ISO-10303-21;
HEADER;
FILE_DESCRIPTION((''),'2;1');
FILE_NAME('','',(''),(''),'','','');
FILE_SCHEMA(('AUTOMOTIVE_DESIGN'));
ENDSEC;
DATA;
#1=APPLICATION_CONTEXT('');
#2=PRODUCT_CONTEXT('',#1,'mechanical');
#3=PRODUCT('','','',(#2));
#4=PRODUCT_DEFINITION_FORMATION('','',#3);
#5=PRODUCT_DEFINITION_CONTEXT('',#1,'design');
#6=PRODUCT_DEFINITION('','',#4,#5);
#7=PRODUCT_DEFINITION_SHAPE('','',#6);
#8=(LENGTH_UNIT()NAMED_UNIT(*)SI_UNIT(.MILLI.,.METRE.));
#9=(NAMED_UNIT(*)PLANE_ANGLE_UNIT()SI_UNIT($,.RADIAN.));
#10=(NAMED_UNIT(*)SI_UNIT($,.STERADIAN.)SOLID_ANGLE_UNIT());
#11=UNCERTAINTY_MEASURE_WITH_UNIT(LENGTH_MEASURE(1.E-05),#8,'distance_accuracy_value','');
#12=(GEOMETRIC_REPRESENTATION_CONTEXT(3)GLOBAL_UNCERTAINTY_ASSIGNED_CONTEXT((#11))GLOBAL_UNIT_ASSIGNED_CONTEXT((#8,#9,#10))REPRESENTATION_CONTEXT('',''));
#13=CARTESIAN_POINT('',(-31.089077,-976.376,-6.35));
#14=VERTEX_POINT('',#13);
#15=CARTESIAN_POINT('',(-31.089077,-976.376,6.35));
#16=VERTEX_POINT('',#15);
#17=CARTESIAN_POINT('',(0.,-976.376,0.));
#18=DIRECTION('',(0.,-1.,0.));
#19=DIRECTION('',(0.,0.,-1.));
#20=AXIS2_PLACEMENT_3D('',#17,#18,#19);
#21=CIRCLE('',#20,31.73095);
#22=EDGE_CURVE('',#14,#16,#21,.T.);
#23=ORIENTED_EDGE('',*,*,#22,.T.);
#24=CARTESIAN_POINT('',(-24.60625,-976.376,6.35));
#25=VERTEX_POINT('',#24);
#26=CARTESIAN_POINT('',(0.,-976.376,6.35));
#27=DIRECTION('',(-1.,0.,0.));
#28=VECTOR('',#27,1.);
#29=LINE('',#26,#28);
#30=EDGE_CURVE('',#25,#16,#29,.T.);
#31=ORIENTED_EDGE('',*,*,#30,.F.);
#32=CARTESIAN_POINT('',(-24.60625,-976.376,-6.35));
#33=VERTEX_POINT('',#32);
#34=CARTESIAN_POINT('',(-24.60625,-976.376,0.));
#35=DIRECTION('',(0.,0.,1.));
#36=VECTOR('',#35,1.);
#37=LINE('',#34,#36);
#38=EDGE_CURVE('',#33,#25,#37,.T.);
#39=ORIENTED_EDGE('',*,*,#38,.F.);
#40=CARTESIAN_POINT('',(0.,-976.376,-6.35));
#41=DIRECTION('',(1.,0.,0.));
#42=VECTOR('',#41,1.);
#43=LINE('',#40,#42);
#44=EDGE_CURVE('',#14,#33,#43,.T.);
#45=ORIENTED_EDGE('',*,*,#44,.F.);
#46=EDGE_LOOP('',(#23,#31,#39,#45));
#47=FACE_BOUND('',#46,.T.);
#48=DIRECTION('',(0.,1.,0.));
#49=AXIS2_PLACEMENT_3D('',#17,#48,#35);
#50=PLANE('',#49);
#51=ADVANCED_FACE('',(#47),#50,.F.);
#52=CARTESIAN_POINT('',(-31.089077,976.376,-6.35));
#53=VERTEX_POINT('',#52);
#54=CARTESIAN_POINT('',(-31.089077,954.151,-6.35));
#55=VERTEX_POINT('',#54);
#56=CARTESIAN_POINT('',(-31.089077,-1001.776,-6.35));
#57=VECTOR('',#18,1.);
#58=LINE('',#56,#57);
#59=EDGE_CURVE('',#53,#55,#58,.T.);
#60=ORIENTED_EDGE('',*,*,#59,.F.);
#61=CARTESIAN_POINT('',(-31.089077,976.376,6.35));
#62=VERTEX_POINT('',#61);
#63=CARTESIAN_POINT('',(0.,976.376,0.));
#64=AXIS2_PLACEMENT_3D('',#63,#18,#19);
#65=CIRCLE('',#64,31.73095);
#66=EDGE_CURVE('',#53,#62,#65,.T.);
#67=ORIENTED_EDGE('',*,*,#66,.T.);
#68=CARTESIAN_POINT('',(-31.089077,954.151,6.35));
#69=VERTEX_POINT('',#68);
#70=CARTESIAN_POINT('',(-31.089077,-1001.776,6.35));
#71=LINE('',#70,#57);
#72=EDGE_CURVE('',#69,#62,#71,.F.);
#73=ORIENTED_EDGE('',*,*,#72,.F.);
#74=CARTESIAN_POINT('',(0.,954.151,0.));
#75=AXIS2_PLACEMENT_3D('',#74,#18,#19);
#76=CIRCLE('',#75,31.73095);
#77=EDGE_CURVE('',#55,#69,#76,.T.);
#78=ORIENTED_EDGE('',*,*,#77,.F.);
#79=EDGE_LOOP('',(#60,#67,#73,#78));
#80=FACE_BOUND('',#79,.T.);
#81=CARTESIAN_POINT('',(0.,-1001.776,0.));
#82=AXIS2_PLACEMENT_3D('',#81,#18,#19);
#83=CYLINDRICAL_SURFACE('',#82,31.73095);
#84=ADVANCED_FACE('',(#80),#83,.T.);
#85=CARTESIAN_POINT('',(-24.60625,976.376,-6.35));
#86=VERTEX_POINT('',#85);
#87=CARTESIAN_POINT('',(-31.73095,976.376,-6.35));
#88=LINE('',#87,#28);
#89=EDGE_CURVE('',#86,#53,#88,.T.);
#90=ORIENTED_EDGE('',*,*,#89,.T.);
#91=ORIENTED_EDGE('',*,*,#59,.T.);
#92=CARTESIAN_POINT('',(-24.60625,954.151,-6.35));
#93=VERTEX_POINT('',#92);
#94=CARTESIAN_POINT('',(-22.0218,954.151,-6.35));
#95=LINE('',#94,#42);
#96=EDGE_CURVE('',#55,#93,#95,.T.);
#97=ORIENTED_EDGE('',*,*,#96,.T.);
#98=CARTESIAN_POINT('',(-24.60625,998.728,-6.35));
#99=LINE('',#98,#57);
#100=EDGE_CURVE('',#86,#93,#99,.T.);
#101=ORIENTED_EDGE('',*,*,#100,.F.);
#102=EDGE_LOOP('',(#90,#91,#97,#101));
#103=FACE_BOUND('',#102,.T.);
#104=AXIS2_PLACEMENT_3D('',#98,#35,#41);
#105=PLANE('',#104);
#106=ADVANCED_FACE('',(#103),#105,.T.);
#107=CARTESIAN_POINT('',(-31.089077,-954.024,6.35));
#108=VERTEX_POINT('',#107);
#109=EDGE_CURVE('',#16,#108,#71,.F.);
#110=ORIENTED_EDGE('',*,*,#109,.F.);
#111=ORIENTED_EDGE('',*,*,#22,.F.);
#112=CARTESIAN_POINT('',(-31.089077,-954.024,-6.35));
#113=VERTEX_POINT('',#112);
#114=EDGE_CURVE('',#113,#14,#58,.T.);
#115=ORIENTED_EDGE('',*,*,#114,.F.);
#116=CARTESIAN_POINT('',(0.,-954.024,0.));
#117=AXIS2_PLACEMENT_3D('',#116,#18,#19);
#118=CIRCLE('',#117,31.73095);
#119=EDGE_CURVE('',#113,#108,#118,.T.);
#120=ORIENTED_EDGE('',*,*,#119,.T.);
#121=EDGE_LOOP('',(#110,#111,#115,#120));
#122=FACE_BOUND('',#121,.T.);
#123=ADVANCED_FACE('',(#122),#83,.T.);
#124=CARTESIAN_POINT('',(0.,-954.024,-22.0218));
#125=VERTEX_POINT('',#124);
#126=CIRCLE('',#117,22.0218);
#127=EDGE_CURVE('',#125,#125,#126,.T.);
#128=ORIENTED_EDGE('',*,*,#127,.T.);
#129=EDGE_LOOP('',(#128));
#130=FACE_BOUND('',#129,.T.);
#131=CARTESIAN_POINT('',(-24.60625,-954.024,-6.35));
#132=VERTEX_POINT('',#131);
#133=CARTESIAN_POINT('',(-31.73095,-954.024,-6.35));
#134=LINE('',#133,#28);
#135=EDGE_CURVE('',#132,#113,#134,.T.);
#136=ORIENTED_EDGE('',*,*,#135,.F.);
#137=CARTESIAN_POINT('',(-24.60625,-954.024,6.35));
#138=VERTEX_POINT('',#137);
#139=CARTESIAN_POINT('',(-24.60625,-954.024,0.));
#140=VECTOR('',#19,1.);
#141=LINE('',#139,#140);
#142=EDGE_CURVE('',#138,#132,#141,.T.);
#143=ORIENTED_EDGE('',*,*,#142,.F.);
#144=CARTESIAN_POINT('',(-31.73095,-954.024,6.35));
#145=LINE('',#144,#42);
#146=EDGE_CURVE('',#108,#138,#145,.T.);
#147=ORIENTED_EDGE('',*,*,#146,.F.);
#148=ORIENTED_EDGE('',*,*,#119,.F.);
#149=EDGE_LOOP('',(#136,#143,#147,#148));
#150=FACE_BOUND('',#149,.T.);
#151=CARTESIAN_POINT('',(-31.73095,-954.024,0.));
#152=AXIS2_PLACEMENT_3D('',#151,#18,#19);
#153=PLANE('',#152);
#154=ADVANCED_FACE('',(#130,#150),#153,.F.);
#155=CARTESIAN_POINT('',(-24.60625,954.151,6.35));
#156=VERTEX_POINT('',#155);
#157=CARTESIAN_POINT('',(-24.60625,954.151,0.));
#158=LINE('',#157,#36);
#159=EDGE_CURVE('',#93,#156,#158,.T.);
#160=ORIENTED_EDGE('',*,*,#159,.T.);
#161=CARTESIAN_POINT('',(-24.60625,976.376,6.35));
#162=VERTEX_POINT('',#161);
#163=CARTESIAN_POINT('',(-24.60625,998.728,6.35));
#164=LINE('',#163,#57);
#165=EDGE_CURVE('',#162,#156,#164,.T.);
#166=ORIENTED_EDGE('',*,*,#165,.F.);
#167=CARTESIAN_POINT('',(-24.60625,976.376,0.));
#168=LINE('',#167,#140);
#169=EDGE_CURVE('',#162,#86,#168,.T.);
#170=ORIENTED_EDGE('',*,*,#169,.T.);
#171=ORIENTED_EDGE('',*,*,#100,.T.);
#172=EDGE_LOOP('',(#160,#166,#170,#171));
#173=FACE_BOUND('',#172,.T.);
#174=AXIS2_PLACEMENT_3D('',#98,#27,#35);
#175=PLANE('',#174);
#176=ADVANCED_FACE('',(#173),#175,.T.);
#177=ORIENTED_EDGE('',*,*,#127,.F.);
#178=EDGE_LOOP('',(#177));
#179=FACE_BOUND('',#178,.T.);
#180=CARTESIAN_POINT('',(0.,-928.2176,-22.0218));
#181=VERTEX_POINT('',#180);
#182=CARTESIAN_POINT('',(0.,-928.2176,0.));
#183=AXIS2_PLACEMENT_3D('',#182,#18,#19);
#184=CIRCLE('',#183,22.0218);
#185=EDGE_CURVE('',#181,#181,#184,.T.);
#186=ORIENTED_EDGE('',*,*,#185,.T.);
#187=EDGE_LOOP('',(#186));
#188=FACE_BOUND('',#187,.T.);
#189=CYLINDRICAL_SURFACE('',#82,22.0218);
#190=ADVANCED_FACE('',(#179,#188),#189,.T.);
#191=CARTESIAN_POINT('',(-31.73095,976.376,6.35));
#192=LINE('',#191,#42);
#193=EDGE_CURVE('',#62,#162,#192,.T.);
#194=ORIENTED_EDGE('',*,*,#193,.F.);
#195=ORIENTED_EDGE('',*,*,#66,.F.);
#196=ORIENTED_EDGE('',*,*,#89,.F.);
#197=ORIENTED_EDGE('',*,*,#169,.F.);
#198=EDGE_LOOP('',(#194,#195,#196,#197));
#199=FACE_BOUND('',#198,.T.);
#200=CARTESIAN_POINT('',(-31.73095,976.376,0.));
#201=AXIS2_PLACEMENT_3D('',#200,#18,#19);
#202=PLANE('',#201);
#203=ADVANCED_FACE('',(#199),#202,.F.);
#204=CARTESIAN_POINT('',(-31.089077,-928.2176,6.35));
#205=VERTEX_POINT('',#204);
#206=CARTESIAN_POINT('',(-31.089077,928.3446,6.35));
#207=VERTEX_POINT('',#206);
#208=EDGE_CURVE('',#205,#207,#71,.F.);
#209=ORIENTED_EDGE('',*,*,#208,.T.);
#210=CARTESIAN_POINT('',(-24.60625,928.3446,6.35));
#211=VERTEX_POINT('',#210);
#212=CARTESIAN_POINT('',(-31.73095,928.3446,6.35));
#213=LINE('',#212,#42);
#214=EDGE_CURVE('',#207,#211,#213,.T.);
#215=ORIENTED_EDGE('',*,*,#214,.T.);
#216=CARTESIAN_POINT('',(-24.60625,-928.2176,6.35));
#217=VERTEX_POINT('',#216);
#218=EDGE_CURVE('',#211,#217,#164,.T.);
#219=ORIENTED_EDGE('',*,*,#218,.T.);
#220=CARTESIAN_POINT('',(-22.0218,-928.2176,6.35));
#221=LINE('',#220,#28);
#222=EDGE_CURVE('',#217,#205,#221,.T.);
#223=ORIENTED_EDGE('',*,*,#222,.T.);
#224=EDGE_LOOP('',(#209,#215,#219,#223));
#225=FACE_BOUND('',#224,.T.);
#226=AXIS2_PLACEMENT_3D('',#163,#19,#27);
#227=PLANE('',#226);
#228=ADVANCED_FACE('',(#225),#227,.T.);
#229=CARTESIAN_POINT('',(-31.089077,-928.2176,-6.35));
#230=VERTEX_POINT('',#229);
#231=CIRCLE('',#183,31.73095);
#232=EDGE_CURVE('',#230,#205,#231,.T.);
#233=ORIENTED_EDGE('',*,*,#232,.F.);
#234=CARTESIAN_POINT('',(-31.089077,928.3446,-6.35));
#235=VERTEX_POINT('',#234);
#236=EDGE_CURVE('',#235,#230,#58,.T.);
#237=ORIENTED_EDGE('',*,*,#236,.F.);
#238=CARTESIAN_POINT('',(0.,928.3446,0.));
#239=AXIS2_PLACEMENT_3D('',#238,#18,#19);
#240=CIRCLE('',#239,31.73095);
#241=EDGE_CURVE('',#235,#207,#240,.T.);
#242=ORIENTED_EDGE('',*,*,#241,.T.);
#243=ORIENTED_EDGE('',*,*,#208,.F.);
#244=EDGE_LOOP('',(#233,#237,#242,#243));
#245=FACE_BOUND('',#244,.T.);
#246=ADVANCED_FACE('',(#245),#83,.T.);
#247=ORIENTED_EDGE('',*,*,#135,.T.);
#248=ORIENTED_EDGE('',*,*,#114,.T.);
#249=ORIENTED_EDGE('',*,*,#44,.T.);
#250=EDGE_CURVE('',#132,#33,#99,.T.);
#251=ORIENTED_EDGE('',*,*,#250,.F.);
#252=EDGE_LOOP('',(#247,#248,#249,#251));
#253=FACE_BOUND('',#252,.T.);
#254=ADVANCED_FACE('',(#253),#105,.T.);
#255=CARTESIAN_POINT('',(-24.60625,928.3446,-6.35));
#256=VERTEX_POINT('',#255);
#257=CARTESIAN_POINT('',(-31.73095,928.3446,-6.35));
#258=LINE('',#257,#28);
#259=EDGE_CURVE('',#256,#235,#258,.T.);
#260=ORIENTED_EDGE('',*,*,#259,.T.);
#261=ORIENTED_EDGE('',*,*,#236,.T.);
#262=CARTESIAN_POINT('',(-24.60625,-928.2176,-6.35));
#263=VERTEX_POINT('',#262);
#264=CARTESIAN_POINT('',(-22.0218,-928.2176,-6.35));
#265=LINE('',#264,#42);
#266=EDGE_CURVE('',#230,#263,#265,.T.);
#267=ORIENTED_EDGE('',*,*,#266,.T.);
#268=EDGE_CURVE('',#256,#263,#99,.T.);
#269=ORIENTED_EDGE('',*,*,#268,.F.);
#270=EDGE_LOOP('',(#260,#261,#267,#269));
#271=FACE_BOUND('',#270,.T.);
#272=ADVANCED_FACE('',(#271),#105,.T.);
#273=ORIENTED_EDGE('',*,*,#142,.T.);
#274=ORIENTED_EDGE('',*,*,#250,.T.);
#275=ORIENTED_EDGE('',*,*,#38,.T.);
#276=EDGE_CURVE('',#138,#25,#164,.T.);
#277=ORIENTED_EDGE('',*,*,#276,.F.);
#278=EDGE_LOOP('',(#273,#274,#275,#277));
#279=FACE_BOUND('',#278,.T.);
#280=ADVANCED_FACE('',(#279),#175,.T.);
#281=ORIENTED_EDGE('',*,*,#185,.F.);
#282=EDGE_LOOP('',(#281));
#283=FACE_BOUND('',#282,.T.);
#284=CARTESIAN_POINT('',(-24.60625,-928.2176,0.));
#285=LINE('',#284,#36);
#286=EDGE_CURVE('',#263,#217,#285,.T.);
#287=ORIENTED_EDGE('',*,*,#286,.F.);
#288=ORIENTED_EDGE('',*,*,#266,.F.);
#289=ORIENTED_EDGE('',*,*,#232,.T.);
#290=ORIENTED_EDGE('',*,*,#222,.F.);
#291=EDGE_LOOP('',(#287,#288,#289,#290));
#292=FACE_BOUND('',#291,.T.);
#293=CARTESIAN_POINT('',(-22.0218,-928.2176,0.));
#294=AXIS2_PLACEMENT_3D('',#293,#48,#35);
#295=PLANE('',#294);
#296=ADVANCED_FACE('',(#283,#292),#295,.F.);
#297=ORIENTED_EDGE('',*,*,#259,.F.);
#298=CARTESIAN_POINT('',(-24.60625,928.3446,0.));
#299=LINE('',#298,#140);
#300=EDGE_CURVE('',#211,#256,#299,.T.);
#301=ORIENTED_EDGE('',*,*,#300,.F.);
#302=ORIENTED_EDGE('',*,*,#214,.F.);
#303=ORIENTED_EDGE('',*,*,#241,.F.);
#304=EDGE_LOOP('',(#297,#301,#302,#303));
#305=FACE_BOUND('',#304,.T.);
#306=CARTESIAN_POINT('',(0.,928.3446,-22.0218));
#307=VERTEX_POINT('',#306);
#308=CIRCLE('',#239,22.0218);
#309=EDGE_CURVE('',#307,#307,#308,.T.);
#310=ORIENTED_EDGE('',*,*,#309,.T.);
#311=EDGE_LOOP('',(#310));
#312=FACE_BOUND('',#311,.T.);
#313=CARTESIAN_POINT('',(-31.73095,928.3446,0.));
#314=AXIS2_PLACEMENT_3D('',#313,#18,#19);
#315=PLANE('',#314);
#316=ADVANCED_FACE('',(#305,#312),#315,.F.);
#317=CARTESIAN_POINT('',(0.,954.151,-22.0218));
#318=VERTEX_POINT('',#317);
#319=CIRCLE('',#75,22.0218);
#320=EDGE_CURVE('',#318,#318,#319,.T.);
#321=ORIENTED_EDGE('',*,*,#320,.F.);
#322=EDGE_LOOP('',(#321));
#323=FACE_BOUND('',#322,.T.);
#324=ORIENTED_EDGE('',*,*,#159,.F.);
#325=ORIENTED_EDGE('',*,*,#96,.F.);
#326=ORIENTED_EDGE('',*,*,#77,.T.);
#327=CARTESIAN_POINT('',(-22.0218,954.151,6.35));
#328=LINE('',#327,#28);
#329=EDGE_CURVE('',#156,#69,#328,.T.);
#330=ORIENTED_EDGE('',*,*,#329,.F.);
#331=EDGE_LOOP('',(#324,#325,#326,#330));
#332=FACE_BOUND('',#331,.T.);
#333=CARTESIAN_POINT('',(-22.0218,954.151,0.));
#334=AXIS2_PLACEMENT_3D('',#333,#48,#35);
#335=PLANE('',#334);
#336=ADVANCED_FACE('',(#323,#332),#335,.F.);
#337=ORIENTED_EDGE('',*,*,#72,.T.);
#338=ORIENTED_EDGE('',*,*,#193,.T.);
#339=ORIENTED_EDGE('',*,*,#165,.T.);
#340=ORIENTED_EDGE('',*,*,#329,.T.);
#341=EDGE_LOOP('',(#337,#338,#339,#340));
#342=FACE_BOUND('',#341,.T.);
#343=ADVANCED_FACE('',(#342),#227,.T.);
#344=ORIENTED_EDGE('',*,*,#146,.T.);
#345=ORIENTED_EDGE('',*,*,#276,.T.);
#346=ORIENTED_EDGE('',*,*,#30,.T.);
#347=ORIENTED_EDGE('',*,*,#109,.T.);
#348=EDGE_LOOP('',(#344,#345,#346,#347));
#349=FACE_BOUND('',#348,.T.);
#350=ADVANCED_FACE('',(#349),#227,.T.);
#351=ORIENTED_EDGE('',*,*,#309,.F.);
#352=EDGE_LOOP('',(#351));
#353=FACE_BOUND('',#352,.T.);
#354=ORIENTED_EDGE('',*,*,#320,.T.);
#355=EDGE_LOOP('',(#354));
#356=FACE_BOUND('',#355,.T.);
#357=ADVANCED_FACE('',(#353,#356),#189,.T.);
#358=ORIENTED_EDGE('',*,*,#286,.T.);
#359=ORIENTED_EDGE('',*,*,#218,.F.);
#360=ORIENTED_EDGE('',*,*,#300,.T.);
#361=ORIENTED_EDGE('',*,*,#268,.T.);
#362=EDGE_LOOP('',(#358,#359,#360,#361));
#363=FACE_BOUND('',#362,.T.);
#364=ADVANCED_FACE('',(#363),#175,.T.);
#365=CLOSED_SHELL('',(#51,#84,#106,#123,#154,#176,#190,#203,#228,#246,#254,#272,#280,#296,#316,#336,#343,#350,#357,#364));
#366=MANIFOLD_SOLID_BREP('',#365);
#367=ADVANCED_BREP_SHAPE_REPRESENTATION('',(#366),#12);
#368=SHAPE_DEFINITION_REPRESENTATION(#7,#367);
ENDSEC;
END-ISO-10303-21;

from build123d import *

# Parameters (mm, degrees)
CUT_EXTRUDE2_START = -998.728
SKETCH2_W          = 63.4619
SKETCH2_H          = 12.7
CUT_EXTRUDE2_DEPTH = 1997.456


with BuildPart() as part:
    # Sketch1 → Revolve1 (revolve)
    with BuildSketch(Plane(origin=(0, 0, 0), x_dir=(0, 1, 0), z_dir=(0, 0, 1)), mode=Mode.PRIVATE) as revolve1_sk:
        Polygon((-976.376, 0), (-976.376, 31.73095), (-954.024, 31.73095), (-954.024, 22.0218), (-928.2176, 22.0218), (-928.2176, 31.73095), (928.3446, 31.73095), (928.3446, 22.0218), (954.151, 22.0218), (954.151, 31.73095), (976.376, 31.73095), (976.376, 0), align=None)
    revolve(revolve1_sk.sketch.rotate(Axis((0, -1001.776, 0), (0, 1, 0)), 270), axis=Axis((0, -1001.776, 0), (0, 1, 0)))

    # Sketch2 → Cut-Extrude2 (cut)
    with BuildSketch(Plane(origin=(0, 0, 0), x_dir=(-1, 0, 0), z_dir=(0, 1, 0)).offset(CUT_EXTRUDE2_START)):
        with Locations((56.3372, 0)):
            Rectangle(SKETCH2_W, SKETCH2_H)
    extrude(amount=CUT_EXTRUDE2_DEPTH, mode=Mode.SUBTRACT)


solid = part.part
